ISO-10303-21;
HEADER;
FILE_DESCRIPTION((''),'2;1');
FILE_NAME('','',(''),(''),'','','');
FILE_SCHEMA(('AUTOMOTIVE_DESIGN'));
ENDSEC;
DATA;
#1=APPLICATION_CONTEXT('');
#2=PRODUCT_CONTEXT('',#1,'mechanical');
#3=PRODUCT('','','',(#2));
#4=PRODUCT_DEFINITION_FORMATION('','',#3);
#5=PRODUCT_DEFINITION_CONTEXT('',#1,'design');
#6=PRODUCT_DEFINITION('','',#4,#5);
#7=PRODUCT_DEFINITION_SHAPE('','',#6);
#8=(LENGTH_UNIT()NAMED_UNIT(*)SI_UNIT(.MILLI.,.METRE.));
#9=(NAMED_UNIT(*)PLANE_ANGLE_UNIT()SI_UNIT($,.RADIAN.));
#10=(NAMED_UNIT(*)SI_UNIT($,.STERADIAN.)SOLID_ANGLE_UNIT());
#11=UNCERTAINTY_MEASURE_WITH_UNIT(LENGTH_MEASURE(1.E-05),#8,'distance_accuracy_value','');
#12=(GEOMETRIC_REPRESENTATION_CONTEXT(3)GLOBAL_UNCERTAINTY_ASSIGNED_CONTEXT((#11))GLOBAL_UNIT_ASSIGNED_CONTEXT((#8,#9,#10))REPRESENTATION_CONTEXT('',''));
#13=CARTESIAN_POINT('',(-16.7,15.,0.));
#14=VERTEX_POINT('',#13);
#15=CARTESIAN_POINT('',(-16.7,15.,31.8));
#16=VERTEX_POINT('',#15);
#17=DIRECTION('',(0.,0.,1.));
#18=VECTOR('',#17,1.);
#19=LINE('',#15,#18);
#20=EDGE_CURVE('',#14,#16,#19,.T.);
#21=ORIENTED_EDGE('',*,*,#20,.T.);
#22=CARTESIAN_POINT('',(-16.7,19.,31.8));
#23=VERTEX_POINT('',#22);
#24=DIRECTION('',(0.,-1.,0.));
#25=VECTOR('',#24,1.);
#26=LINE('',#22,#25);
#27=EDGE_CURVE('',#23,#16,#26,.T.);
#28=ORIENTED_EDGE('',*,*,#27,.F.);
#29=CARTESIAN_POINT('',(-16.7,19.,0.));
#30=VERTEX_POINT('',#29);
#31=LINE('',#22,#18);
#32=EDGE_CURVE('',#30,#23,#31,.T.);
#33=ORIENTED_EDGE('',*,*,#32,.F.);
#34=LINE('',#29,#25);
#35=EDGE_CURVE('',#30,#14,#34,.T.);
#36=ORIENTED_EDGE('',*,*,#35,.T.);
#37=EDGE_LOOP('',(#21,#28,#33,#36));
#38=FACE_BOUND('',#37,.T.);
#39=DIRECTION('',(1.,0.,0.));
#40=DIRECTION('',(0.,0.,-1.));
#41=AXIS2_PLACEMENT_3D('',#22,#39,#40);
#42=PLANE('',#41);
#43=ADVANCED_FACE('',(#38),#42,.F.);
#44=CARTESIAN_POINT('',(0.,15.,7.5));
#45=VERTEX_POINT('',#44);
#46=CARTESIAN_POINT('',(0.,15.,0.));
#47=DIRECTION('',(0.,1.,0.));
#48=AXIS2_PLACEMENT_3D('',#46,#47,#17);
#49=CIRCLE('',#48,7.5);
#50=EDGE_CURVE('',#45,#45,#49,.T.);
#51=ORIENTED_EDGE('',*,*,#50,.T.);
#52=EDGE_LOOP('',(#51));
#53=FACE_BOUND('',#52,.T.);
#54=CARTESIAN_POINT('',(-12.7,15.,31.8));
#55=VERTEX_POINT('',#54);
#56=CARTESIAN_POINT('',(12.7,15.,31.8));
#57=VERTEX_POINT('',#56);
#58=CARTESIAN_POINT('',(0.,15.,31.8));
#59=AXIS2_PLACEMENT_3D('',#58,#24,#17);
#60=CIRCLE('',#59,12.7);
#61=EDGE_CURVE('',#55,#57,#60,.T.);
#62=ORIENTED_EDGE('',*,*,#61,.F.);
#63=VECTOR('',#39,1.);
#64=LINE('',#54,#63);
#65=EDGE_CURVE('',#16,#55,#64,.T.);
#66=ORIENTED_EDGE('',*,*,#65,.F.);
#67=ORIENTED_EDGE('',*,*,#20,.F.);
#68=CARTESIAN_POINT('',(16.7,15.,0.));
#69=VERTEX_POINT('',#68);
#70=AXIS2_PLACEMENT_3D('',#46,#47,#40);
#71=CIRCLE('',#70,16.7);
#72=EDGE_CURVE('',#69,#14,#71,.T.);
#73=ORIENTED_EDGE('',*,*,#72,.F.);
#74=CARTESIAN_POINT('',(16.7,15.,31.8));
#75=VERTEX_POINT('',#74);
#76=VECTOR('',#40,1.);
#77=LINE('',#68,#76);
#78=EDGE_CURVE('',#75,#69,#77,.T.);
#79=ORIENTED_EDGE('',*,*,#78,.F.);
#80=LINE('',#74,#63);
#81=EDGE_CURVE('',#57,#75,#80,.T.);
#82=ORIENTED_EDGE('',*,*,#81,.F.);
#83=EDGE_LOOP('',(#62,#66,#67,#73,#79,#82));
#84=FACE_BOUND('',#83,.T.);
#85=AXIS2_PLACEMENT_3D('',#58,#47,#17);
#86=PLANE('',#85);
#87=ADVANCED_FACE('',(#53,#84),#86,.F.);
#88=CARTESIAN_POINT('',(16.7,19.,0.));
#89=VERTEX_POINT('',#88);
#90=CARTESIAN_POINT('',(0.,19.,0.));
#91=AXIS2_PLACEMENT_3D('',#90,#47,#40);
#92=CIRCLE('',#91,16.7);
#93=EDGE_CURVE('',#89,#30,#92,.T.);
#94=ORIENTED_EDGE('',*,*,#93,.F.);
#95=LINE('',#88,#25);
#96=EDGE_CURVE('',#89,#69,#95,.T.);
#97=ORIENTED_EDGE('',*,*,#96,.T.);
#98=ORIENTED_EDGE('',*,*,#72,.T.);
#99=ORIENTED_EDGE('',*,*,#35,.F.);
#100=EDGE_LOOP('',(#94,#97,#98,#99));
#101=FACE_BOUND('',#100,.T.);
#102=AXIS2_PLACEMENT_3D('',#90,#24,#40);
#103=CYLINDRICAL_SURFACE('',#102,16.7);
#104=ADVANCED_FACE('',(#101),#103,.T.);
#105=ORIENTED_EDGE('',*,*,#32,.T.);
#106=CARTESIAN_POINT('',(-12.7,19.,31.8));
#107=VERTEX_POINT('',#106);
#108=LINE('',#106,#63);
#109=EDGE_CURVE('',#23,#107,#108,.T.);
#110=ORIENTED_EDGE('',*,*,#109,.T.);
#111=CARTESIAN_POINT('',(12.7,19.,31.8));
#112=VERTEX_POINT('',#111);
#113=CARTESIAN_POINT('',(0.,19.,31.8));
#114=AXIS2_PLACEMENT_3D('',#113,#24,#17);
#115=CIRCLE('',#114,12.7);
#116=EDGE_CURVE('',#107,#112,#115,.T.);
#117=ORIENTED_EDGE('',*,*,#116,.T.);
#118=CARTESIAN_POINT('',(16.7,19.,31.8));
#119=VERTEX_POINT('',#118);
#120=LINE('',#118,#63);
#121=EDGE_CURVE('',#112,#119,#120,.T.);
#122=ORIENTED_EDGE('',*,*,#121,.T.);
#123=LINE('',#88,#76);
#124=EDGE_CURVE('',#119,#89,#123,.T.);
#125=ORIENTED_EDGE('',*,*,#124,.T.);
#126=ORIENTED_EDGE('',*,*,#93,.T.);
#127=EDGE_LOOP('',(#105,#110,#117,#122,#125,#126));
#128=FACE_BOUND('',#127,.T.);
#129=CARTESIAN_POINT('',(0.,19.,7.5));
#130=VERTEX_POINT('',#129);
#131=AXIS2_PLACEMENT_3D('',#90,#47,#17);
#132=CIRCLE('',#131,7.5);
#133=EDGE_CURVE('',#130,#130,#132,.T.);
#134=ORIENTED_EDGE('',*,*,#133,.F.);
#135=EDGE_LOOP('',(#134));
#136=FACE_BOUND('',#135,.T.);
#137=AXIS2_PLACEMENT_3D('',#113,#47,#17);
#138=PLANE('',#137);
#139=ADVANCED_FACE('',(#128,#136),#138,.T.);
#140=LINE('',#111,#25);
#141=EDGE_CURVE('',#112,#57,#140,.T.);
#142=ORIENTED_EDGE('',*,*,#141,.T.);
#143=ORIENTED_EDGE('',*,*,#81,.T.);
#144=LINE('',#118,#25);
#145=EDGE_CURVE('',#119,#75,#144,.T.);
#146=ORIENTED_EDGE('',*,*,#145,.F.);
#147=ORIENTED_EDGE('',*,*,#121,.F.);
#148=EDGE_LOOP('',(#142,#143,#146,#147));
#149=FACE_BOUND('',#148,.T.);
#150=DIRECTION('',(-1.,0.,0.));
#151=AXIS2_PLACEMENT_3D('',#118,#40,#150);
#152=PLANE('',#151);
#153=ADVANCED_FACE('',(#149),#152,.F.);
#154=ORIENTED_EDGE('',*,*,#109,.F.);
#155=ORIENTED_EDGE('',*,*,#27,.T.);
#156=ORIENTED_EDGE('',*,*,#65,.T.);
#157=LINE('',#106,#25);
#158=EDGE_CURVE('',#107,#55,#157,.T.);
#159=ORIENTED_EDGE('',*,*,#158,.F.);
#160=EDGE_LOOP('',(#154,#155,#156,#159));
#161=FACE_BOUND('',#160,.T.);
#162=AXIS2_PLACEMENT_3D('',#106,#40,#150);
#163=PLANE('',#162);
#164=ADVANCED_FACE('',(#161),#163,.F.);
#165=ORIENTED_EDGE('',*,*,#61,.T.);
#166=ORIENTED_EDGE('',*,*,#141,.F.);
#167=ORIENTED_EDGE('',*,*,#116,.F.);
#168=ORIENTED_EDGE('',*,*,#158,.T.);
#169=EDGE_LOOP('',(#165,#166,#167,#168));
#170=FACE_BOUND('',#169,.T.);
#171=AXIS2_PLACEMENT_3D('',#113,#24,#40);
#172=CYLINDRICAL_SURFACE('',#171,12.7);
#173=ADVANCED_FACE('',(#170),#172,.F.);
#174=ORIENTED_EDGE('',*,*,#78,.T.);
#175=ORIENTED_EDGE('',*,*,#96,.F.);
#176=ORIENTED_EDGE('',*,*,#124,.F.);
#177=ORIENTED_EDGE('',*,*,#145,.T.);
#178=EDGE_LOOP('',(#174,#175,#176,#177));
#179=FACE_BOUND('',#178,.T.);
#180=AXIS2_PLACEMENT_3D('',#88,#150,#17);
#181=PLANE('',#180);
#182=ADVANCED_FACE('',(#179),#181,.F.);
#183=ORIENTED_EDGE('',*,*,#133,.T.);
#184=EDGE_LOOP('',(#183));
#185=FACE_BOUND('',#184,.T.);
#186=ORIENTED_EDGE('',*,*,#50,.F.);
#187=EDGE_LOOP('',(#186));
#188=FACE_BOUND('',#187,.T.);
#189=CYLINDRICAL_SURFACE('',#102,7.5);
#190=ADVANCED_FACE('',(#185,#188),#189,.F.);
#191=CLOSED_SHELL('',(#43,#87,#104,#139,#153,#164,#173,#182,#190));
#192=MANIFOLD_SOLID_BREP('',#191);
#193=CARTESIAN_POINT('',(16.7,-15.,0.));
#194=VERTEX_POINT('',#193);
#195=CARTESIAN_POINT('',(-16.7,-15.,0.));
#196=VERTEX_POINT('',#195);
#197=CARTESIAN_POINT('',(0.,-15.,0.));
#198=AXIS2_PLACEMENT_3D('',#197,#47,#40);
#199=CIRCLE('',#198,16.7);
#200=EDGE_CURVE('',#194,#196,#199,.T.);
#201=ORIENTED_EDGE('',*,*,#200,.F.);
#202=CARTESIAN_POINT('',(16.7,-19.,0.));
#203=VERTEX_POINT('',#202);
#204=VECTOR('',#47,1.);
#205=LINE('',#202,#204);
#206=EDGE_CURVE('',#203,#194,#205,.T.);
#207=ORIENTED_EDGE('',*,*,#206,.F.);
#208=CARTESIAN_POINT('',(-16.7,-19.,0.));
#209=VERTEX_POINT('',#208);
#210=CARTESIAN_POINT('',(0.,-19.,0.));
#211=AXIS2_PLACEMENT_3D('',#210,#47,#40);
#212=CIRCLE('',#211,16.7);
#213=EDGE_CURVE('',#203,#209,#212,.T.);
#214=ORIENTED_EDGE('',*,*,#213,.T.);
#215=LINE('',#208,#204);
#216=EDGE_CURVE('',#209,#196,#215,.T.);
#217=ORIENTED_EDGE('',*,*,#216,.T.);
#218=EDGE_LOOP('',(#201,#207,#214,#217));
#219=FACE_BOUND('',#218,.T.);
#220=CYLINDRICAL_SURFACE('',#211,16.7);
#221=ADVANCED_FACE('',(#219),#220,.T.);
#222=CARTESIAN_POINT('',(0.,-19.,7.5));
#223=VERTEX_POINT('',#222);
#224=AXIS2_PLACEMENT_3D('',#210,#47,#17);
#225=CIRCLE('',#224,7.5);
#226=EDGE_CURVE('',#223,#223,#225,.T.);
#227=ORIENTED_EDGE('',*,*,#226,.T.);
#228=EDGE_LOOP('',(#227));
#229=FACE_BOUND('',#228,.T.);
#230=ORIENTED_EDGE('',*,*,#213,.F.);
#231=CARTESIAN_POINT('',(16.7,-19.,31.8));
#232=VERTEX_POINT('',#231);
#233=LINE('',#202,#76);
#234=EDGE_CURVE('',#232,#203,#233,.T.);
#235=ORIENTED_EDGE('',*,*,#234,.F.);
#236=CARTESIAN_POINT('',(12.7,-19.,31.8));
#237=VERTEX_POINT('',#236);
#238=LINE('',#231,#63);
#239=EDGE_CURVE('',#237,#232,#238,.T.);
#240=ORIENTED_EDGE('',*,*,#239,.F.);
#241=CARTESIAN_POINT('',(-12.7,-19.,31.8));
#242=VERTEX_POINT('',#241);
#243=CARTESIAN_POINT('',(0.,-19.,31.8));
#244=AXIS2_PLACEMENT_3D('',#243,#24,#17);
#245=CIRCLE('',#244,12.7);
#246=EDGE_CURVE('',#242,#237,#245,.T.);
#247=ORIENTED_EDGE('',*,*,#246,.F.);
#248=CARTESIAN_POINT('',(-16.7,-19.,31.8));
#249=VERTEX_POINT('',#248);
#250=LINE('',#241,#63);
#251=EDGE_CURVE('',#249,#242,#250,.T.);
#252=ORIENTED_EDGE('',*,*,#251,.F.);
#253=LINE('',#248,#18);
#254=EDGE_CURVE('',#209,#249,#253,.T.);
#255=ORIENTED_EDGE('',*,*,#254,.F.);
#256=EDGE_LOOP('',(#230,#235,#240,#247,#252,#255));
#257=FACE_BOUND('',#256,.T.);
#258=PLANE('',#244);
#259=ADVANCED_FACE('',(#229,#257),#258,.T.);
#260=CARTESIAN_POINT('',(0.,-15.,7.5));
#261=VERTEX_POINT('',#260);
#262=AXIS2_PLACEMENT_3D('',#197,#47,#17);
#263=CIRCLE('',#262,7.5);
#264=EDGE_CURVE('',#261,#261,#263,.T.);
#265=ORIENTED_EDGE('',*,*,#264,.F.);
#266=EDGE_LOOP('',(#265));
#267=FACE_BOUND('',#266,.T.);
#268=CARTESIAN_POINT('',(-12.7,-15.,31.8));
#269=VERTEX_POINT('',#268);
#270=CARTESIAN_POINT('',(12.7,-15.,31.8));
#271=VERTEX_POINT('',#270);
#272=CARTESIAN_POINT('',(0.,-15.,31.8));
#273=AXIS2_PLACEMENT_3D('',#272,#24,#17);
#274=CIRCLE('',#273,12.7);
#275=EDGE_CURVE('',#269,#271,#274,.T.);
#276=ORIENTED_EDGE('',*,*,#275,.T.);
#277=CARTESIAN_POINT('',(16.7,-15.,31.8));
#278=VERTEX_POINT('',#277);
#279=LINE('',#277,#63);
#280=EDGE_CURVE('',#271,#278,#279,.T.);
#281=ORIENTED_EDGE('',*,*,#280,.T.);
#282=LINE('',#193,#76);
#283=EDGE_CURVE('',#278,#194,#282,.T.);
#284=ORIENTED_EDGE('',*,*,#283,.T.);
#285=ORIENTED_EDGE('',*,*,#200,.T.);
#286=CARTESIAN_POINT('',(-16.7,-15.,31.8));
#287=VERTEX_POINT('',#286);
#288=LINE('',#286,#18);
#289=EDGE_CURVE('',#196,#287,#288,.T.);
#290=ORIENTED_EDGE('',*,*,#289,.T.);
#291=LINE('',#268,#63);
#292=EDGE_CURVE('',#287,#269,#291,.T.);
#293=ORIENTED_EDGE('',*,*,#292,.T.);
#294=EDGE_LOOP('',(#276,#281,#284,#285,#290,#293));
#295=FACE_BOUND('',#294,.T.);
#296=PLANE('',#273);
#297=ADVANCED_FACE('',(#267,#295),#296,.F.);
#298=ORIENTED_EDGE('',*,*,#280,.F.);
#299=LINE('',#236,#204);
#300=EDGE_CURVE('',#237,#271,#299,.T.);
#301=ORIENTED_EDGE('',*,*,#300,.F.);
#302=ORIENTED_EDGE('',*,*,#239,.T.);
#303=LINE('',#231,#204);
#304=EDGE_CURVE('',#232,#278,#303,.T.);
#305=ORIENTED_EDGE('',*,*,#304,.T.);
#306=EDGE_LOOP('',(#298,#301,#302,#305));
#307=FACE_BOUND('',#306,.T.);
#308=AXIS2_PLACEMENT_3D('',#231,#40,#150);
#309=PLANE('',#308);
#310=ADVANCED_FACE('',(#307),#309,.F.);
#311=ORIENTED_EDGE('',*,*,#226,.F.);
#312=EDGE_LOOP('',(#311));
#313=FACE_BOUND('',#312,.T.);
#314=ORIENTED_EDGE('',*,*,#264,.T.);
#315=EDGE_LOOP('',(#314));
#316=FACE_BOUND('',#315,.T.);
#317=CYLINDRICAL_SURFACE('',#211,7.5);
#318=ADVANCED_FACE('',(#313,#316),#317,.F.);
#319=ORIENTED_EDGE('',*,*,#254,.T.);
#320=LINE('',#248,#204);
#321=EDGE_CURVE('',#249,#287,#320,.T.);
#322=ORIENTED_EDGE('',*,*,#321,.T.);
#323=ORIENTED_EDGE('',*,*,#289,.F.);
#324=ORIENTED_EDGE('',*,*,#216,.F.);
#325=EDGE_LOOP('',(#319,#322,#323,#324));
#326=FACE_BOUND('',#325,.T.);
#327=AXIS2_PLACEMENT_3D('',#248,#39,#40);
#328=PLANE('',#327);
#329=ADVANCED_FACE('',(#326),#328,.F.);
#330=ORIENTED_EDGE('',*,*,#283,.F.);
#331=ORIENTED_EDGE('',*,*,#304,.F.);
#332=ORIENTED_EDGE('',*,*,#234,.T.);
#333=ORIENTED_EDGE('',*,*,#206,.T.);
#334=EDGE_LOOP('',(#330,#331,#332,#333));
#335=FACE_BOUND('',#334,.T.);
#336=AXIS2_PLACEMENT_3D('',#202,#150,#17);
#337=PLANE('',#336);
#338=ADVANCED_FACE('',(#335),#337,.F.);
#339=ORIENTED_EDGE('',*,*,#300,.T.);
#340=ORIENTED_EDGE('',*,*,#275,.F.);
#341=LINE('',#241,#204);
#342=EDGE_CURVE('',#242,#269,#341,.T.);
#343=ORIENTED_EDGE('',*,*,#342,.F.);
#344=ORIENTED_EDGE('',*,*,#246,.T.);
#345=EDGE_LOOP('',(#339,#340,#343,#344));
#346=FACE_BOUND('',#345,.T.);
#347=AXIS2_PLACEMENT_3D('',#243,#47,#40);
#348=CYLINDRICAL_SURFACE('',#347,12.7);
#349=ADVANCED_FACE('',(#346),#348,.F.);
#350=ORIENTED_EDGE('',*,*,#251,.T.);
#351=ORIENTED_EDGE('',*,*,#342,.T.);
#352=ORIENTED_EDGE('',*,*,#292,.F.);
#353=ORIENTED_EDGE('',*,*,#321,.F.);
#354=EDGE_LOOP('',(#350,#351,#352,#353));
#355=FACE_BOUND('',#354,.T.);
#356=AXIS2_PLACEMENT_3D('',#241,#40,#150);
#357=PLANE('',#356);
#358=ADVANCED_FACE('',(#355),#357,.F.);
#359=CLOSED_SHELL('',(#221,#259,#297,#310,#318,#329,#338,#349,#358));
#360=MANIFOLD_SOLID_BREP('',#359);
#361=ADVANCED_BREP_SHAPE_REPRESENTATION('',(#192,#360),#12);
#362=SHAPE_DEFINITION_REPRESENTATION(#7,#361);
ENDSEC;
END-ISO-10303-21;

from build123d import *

# Parameters (mm, degrees)
SKETCH1_R           = 7.5
BOSS_EXTRUDE1_DEPTH = 4


with BuildPart() as part:
    # Sketch1 → Boss-Extrude1 (new body)
    with BuildSketch(Plane(origin=(0, 15, 0), x_dir=(1, 0, 0), z_dir=(0, 1, 0))):
        with BuildLine():
            Line((16.7, -31.8), (12.7, -31.8))
            ThreePointArc((12.7, -31.8), (0, -19.1), (-12.7, -31.8))
            Line((-12.7, -31.8), (-16.7, -31.8))
            Line((-16.7, -31.8), (-16.7, 0))
            ThreePointArc((-16.7, 0), (0, 16.7), (16.7, 0))
            Line((16.7, 0), (16.7, -31.8))
        make_face()
        Circle(SKETCH1_R, mode=Mode.SUBTRACT)
    extrude(amount=BOSS_EXTRUDE1_DEPTH)


with BuildPart() as body_2:
    # Mirror1: mirrored copy
    add(part.part.mirror(Plane.ZX))


solid = Compound([part.part, body_2.part])
